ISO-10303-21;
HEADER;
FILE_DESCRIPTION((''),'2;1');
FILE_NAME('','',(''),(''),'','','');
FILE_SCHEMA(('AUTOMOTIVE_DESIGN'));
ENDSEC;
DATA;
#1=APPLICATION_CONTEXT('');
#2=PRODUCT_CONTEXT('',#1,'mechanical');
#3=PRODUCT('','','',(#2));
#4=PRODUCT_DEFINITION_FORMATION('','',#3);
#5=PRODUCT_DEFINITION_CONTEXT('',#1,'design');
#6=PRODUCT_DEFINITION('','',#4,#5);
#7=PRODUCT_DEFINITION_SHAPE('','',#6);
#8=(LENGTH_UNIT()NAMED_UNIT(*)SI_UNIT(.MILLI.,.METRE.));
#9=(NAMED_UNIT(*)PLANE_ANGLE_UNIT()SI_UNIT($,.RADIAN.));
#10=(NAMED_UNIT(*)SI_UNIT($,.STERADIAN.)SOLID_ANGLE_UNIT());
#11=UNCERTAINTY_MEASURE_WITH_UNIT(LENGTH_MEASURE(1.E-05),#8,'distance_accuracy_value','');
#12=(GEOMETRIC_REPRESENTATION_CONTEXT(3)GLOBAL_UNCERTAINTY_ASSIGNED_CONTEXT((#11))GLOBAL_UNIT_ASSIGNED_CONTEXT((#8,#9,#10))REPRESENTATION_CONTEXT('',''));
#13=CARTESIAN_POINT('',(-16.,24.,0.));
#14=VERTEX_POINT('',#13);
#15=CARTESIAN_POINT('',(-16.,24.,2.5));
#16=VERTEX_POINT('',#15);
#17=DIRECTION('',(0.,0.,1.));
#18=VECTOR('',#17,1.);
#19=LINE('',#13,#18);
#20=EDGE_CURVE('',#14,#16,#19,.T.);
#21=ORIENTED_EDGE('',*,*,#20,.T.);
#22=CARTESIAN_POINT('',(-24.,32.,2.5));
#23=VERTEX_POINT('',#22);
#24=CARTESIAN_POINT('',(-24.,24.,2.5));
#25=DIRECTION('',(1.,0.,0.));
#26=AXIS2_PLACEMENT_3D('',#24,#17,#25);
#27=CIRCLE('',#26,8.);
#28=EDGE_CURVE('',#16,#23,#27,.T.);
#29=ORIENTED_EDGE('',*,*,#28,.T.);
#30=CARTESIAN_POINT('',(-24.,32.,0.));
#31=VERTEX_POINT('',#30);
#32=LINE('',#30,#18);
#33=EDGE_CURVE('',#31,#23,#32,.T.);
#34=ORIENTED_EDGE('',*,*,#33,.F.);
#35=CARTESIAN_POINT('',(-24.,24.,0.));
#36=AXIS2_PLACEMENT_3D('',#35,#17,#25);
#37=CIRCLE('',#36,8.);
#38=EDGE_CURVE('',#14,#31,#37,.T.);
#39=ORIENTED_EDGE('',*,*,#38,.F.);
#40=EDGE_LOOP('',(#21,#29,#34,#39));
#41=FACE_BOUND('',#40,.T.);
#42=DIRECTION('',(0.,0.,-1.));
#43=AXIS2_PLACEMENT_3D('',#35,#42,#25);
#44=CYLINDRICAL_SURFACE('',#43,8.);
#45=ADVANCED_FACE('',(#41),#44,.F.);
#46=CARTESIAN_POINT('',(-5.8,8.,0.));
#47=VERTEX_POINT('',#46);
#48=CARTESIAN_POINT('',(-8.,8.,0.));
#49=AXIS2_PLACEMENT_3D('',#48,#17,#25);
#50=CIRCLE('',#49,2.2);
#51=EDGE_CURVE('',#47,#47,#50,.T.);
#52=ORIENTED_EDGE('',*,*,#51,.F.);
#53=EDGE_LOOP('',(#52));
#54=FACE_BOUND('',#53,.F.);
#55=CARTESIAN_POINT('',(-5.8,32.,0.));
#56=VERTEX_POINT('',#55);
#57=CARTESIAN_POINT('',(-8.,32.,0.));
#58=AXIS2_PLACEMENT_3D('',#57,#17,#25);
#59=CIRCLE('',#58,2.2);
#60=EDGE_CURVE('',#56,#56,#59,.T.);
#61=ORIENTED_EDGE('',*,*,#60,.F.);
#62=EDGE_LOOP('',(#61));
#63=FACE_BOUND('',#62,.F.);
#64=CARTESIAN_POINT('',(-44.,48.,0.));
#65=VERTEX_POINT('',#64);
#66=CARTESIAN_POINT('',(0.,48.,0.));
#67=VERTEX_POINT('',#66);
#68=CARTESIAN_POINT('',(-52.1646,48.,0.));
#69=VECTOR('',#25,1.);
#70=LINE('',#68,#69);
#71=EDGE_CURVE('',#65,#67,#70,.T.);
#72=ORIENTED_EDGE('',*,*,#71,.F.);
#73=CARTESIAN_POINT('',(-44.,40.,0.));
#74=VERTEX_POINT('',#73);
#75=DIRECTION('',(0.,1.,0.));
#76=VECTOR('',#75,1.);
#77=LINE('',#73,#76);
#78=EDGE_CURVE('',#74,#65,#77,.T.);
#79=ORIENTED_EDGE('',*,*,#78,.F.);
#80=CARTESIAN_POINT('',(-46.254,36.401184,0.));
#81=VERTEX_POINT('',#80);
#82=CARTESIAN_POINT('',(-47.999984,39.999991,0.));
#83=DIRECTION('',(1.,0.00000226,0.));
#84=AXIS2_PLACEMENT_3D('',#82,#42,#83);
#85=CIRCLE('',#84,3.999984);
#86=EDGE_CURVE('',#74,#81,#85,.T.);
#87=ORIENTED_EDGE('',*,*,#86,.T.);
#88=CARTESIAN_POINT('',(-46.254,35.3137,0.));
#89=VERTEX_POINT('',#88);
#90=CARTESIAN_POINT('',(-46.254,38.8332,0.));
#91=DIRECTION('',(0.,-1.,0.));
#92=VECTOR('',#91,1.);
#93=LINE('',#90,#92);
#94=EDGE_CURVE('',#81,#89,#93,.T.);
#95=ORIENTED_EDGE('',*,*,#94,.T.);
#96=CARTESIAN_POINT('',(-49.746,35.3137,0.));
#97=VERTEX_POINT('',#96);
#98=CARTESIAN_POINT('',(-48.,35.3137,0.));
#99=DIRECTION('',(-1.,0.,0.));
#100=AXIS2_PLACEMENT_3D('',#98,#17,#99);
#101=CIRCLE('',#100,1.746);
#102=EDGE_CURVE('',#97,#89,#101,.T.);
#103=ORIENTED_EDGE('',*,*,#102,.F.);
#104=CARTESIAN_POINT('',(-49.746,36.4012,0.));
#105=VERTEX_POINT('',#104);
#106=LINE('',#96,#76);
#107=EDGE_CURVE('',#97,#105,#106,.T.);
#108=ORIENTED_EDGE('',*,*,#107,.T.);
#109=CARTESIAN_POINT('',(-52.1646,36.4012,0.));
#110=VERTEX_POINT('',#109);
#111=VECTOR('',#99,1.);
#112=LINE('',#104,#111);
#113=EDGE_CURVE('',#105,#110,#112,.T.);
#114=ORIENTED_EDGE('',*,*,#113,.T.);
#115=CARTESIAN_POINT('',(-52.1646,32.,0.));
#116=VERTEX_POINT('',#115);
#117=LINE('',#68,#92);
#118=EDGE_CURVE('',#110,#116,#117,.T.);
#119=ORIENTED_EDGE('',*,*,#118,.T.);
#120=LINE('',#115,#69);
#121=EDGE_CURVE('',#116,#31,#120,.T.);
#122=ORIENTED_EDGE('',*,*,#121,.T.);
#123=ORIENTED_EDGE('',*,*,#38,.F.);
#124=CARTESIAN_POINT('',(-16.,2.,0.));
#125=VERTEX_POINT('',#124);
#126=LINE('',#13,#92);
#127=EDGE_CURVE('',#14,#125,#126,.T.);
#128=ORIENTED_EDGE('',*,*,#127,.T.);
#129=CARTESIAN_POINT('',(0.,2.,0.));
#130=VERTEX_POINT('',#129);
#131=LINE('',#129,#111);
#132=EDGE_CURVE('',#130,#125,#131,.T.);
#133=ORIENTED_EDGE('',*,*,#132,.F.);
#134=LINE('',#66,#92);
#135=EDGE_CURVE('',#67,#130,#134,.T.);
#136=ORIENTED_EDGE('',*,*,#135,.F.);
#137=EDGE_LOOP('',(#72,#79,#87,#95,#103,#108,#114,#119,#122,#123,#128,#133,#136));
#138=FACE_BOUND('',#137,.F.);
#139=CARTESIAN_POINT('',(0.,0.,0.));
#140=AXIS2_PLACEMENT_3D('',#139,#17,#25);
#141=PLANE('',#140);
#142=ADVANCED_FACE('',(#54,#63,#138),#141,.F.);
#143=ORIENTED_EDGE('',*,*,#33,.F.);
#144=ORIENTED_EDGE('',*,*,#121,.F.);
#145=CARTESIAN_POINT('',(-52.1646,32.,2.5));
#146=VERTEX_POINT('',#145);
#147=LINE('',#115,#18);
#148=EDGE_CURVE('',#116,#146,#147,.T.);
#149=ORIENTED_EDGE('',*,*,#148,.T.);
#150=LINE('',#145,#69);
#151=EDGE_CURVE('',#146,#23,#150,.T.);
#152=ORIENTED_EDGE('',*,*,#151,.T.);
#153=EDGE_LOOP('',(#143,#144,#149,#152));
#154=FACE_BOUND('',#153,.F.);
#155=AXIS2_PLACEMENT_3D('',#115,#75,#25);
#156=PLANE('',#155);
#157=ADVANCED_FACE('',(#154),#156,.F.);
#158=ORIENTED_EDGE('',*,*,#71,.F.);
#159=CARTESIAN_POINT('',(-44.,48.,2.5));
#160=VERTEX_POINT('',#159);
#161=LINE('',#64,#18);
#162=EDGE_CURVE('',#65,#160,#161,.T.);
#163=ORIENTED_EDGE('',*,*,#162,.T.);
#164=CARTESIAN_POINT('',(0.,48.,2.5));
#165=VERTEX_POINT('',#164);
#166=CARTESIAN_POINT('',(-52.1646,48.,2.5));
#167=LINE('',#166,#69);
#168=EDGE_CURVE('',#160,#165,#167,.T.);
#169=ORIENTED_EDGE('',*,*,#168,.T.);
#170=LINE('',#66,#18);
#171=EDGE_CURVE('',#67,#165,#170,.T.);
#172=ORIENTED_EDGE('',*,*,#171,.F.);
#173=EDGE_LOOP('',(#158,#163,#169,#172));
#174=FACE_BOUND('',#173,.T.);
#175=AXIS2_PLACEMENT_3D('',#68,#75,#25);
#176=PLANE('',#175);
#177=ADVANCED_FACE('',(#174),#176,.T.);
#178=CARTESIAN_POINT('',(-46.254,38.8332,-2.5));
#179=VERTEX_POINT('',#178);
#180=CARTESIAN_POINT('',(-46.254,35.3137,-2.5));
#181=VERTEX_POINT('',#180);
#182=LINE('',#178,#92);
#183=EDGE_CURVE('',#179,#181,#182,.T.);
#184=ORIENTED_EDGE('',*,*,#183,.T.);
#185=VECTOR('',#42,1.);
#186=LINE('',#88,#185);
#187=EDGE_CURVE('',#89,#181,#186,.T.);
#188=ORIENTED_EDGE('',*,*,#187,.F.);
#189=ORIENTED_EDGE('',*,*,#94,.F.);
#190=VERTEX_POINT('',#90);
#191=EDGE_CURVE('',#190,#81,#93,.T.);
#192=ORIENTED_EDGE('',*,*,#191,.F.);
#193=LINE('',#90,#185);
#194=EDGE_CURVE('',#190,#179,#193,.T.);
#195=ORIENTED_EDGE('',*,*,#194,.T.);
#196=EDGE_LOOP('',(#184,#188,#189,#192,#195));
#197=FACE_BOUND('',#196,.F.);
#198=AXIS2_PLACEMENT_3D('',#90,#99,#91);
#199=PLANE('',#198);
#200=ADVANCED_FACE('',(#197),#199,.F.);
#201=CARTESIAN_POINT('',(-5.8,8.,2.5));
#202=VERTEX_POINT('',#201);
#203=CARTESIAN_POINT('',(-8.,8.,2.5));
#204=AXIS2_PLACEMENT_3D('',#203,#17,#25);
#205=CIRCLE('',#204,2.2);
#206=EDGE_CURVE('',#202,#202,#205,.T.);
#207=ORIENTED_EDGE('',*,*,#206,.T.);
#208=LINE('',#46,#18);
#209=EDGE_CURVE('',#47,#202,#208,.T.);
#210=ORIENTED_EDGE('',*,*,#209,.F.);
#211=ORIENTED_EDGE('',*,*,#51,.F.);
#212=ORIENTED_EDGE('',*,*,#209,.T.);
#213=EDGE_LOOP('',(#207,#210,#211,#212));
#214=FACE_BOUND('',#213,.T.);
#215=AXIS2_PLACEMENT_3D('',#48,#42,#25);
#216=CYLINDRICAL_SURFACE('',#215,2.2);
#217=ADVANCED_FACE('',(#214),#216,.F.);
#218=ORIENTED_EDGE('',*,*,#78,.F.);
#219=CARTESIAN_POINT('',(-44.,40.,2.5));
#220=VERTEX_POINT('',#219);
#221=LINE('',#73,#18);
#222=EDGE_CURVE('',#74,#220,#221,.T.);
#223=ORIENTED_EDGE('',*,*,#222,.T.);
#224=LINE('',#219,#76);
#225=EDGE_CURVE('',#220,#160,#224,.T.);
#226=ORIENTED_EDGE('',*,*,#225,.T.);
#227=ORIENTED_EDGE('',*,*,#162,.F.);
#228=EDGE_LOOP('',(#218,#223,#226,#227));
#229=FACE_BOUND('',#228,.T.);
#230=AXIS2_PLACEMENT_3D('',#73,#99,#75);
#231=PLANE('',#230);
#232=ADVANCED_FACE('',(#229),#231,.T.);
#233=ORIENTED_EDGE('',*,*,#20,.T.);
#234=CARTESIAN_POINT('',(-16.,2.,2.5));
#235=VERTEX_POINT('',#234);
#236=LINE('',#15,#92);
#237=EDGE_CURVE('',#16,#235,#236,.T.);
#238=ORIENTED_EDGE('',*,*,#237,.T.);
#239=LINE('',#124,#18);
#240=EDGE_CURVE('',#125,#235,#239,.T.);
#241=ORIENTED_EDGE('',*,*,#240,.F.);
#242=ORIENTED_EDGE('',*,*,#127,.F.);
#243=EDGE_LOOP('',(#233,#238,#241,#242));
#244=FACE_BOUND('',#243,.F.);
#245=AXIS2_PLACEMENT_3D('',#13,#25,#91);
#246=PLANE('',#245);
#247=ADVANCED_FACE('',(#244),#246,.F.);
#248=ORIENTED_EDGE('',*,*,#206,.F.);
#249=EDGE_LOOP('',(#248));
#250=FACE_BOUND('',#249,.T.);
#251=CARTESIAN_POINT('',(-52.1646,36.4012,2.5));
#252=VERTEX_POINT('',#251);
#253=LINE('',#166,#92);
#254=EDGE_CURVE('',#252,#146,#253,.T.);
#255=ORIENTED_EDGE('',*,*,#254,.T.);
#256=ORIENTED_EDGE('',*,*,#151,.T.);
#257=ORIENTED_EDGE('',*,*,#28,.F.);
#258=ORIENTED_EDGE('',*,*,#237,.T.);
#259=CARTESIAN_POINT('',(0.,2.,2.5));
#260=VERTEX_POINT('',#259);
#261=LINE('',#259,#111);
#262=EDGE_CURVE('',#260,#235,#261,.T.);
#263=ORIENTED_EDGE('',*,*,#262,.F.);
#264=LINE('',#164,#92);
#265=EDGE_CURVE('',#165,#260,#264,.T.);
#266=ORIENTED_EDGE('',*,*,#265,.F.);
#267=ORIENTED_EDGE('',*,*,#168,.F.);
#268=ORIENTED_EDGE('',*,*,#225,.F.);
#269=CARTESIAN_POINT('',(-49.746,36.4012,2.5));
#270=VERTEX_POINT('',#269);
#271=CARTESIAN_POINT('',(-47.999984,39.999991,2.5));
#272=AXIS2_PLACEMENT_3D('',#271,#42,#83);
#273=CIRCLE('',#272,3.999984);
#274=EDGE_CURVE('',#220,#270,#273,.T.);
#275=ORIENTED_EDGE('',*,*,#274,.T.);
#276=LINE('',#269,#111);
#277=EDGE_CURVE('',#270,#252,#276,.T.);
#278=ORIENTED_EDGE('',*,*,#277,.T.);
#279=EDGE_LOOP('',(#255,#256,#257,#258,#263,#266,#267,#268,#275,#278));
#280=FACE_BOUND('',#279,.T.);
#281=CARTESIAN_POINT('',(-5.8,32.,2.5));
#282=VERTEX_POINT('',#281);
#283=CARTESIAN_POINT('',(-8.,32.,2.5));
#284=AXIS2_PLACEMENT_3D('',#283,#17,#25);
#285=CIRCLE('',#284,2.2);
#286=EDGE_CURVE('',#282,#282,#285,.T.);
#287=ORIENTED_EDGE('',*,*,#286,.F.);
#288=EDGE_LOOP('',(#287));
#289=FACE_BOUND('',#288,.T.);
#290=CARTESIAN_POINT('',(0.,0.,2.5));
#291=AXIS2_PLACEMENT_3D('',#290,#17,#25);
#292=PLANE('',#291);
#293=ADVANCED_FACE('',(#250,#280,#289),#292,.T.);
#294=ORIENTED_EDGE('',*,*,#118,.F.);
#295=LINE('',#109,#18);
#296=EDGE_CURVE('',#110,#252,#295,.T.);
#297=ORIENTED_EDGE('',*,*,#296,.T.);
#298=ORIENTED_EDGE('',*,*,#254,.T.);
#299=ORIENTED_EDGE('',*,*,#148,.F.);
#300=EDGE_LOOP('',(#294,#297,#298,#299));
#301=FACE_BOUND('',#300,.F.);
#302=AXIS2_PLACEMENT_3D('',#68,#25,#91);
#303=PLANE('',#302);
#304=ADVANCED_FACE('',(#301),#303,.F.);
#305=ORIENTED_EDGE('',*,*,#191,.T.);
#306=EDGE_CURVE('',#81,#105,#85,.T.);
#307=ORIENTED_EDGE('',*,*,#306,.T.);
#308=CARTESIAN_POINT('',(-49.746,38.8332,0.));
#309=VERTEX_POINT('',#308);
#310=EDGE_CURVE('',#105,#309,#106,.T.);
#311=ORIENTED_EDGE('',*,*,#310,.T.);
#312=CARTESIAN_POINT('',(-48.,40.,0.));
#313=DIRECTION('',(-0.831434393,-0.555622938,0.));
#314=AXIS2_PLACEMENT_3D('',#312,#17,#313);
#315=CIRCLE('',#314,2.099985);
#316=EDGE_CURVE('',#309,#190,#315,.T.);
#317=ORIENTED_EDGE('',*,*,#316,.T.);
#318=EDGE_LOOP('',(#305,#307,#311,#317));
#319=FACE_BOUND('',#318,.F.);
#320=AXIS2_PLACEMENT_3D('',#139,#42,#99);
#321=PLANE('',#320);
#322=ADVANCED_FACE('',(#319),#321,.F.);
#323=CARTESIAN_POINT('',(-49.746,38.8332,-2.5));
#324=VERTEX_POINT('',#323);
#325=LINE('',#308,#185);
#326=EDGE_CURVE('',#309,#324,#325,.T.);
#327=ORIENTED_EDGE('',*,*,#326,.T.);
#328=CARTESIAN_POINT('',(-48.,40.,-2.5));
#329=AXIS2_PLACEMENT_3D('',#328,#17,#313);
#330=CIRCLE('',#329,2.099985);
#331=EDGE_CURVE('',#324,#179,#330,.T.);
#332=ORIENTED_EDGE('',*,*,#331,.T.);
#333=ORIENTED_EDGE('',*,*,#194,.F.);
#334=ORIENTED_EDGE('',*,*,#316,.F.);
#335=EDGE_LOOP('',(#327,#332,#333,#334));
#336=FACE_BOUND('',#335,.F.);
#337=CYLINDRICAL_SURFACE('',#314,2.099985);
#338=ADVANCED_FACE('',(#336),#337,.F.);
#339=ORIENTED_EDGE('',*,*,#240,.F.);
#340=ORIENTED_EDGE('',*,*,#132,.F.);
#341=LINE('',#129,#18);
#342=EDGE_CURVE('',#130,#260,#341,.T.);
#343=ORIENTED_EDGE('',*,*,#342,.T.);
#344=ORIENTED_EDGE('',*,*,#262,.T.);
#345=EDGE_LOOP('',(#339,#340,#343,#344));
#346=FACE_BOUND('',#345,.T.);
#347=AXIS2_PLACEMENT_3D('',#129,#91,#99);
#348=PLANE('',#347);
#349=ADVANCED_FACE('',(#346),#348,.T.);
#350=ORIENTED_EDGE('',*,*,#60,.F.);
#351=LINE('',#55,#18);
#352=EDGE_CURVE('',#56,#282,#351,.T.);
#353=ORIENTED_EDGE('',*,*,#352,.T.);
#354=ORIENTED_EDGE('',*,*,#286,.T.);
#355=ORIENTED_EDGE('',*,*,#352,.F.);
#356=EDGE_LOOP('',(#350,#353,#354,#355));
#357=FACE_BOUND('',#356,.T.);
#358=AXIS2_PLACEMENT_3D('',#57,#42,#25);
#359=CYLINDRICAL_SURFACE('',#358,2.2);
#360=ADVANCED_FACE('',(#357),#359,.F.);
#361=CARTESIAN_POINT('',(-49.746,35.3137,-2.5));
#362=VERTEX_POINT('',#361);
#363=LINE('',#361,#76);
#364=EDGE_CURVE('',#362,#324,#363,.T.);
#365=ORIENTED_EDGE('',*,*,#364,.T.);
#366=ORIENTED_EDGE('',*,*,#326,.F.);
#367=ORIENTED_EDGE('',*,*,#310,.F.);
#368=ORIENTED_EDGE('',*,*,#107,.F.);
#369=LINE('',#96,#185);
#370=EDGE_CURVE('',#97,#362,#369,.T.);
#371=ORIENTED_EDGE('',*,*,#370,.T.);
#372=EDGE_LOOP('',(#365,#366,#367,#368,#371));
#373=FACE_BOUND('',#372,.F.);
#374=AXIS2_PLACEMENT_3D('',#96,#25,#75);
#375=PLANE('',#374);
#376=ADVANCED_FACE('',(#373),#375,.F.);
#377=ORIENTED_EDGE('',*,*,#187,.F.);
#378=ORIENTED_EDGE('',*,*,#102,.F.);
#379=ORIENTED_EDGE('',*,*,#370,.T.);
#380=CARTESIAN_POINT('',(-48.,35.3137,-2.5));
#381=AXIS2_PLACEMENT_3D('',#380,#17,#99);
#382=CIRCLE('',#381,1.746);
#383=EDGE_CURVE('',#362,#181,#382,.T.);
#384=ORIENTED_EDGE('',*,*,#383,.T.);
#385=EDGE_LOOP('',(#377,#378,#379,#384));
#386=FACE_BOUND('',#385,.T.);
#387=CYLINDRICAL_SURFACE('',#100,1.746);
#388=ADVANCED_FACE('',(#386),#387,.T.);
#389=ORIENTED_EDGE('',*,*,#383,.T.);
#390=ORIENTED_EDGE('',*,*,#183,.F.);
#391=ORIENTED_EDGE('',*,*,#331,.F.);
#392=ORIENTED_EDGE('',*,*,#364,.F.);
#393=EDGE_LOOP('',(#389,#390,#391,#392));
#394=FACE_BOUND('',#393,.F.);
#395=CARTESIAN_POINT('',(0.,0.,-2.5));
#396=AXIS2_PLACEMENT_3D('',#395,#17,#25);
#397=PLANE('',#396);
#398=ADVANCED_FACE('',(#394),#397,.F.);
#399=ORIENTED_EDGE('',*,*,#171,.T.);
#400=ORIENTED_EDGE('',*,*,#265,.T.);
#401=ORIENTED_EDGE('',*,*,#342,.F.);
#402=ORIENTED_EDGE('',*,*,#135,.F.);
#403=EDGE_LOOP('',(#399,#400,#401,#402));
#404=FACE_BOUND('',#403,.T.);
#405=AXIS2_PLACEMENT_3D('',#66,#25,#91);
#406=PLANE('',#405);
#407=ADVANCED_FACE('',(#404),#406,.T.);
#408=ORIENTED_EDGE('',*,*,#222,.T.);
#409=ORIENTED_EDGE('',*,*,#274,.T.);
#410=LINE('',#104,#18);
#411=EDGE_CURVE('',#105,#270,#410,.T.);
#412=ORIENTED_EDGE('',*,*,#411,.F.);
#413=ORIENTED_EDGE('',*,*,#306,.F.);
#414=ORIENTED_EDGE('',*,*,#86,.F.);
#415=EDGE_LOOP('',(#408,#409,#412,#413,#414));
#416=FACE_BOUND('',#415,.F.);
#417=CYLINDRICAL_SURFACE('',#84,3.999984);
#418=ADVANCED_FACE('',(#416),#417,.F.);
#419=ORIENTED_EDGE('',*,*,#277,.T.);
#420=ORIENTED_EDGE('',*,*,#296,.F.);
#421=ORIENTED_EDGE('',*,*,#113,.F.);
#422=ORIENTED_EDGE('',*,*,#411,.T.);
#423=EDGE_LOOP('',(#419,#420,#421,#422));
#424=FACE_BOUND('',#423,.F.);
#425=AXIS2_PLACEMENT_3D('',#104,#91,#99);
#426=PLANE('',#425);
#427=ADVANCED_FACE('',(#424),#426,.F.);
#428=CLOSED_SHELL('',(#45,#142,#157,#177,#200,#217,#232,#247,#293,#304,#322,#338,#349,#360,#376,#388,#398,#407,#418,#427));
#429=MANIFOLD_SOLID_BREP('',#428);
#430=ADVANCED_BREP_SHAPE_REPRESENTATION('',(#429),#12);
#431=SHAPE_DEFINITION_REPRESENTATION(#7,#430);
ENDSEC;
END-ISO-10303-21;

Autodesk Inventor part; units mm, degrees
ref_plane "YZ Plane" through (0, 0, 0) normal (1, 0, 0) x (0, 1, 0)
ref_plane "Work Plane5" through (0, 0, 0) normal (0, 0, 1) x (1, 0, 0)
sketch "Sketch1" plane through (0, 0, 0) normal (0, 0, 1) x (1, 0, 0)
  arc A0 (-50, 35.3137) -> (-46, 35.3137) centre (-48, 35.3137) ccw construction
  arc A1 (-46, 40) -> (-50, 40) centre (-48, 40) ccw construction
  line L0 (-50, 35.3137) -> (-50, 40) construction
  line L1 (-46, 40) -> (-46, 35.3137) construction
  line L2 (-46.254, 38.8332) -> (-46.254, 35.3137)
  arc A2 (-49.746, 35.3137) -> (-46.254, 35.3137) centre (-48, 35.3137) ccw
  line L3 (-49.746, 35.3137) -> (-49.746, 38.8332)
  arc A3 (-49.746, 38.8332) -> (-46.254, 38.8332) centre (-48, 40) ccw
  point P0 (0, 0)
  dimension "d1" = 4.2
extrude "Extrusion1" add sketch "Sketch1" against normal blind 2.5
ref_plane "Work Plane6" through (0, 0, 0) normal (0, 0, 1) x (1, 0, 0)
sketch "Sketch2" plane through (0, 0, 0) normal (0, 0, 1) x (1, 0, 0)
  line L0 (-52.1646, 48) -> (0, 48)
  line L1 (0, 48) -> (0, 2)
  arc A0 (-16, 24) -> (-24, 32) centre (-24, 24) ccw
  circle A1 centre (-8, 8) radius 2.2
  circle A2 centre (-8, 32) radius 2.2
  line L2 (-52.1646, 32) -> (-24, 32)
  line L3 (-16, 24) -> (-16, 2)
  line L4 (0, 2) -> (-16, 2)
  arc A3 (-49.746, 38.8332) -> (-46.254, 38.8332) centre (-48, 40) ccw projected
  line L5 (-52.1646, 48) -> (-52.1646, 32)
  line L6 (-52.1646, 48) -> (-36.1646, 48) construction
  point P0 (-54, 48)
  dimension "d7" = 4.4
  dimension "d8" = 4.4
  dimension "d9" = 24
  dimension "d22" = 48
  dimension "d23" = 90
  dimension "d24" = 46
  dimension "d25" = 16
  dimension "d26" = 8
  dimension "d27" = 8
extrude "Extrusion2" add sketch "Sketch2" along normal blind 2.5
sketch "Sketch6" plane through (0, 0, 0) normal (0, 0, -1) x (-1, 0, 0)
  arc A0 (46.254, 38.8332) -> (49.746, 38.8332) centre (48, 40) ccw projected
  arc A1 (44, 40) -> (49.746, 36.4012) centre (48, 40) ccw
  line L0 (52.1646, 48) -> (52.1646, 32) projected
  line L1 (49.746, 35.3137) -> (49.746, 38.8332) projected
  line L2 (49.746, 36.4012) -> (52.1646, 36.4012)
  line L3 (52.1646, 36.4012) -> (52.1646, 44)
  line L4 (44, 40) -> (44, 48)
  line L5 (0, 48) -> (52.1646, 48) projected
  line L6 (44, 48) -> (52.1646, 48)
  line L7 (52.1646, 44) -> (52.1646, 48)
  point P0 (0, 0)
  dimension "d31" = 8
extrude "Extrusion6" cut sketch "Sketch6" against normal up to surface (2.5 mm away)
properties part number "Odometry stop left"
